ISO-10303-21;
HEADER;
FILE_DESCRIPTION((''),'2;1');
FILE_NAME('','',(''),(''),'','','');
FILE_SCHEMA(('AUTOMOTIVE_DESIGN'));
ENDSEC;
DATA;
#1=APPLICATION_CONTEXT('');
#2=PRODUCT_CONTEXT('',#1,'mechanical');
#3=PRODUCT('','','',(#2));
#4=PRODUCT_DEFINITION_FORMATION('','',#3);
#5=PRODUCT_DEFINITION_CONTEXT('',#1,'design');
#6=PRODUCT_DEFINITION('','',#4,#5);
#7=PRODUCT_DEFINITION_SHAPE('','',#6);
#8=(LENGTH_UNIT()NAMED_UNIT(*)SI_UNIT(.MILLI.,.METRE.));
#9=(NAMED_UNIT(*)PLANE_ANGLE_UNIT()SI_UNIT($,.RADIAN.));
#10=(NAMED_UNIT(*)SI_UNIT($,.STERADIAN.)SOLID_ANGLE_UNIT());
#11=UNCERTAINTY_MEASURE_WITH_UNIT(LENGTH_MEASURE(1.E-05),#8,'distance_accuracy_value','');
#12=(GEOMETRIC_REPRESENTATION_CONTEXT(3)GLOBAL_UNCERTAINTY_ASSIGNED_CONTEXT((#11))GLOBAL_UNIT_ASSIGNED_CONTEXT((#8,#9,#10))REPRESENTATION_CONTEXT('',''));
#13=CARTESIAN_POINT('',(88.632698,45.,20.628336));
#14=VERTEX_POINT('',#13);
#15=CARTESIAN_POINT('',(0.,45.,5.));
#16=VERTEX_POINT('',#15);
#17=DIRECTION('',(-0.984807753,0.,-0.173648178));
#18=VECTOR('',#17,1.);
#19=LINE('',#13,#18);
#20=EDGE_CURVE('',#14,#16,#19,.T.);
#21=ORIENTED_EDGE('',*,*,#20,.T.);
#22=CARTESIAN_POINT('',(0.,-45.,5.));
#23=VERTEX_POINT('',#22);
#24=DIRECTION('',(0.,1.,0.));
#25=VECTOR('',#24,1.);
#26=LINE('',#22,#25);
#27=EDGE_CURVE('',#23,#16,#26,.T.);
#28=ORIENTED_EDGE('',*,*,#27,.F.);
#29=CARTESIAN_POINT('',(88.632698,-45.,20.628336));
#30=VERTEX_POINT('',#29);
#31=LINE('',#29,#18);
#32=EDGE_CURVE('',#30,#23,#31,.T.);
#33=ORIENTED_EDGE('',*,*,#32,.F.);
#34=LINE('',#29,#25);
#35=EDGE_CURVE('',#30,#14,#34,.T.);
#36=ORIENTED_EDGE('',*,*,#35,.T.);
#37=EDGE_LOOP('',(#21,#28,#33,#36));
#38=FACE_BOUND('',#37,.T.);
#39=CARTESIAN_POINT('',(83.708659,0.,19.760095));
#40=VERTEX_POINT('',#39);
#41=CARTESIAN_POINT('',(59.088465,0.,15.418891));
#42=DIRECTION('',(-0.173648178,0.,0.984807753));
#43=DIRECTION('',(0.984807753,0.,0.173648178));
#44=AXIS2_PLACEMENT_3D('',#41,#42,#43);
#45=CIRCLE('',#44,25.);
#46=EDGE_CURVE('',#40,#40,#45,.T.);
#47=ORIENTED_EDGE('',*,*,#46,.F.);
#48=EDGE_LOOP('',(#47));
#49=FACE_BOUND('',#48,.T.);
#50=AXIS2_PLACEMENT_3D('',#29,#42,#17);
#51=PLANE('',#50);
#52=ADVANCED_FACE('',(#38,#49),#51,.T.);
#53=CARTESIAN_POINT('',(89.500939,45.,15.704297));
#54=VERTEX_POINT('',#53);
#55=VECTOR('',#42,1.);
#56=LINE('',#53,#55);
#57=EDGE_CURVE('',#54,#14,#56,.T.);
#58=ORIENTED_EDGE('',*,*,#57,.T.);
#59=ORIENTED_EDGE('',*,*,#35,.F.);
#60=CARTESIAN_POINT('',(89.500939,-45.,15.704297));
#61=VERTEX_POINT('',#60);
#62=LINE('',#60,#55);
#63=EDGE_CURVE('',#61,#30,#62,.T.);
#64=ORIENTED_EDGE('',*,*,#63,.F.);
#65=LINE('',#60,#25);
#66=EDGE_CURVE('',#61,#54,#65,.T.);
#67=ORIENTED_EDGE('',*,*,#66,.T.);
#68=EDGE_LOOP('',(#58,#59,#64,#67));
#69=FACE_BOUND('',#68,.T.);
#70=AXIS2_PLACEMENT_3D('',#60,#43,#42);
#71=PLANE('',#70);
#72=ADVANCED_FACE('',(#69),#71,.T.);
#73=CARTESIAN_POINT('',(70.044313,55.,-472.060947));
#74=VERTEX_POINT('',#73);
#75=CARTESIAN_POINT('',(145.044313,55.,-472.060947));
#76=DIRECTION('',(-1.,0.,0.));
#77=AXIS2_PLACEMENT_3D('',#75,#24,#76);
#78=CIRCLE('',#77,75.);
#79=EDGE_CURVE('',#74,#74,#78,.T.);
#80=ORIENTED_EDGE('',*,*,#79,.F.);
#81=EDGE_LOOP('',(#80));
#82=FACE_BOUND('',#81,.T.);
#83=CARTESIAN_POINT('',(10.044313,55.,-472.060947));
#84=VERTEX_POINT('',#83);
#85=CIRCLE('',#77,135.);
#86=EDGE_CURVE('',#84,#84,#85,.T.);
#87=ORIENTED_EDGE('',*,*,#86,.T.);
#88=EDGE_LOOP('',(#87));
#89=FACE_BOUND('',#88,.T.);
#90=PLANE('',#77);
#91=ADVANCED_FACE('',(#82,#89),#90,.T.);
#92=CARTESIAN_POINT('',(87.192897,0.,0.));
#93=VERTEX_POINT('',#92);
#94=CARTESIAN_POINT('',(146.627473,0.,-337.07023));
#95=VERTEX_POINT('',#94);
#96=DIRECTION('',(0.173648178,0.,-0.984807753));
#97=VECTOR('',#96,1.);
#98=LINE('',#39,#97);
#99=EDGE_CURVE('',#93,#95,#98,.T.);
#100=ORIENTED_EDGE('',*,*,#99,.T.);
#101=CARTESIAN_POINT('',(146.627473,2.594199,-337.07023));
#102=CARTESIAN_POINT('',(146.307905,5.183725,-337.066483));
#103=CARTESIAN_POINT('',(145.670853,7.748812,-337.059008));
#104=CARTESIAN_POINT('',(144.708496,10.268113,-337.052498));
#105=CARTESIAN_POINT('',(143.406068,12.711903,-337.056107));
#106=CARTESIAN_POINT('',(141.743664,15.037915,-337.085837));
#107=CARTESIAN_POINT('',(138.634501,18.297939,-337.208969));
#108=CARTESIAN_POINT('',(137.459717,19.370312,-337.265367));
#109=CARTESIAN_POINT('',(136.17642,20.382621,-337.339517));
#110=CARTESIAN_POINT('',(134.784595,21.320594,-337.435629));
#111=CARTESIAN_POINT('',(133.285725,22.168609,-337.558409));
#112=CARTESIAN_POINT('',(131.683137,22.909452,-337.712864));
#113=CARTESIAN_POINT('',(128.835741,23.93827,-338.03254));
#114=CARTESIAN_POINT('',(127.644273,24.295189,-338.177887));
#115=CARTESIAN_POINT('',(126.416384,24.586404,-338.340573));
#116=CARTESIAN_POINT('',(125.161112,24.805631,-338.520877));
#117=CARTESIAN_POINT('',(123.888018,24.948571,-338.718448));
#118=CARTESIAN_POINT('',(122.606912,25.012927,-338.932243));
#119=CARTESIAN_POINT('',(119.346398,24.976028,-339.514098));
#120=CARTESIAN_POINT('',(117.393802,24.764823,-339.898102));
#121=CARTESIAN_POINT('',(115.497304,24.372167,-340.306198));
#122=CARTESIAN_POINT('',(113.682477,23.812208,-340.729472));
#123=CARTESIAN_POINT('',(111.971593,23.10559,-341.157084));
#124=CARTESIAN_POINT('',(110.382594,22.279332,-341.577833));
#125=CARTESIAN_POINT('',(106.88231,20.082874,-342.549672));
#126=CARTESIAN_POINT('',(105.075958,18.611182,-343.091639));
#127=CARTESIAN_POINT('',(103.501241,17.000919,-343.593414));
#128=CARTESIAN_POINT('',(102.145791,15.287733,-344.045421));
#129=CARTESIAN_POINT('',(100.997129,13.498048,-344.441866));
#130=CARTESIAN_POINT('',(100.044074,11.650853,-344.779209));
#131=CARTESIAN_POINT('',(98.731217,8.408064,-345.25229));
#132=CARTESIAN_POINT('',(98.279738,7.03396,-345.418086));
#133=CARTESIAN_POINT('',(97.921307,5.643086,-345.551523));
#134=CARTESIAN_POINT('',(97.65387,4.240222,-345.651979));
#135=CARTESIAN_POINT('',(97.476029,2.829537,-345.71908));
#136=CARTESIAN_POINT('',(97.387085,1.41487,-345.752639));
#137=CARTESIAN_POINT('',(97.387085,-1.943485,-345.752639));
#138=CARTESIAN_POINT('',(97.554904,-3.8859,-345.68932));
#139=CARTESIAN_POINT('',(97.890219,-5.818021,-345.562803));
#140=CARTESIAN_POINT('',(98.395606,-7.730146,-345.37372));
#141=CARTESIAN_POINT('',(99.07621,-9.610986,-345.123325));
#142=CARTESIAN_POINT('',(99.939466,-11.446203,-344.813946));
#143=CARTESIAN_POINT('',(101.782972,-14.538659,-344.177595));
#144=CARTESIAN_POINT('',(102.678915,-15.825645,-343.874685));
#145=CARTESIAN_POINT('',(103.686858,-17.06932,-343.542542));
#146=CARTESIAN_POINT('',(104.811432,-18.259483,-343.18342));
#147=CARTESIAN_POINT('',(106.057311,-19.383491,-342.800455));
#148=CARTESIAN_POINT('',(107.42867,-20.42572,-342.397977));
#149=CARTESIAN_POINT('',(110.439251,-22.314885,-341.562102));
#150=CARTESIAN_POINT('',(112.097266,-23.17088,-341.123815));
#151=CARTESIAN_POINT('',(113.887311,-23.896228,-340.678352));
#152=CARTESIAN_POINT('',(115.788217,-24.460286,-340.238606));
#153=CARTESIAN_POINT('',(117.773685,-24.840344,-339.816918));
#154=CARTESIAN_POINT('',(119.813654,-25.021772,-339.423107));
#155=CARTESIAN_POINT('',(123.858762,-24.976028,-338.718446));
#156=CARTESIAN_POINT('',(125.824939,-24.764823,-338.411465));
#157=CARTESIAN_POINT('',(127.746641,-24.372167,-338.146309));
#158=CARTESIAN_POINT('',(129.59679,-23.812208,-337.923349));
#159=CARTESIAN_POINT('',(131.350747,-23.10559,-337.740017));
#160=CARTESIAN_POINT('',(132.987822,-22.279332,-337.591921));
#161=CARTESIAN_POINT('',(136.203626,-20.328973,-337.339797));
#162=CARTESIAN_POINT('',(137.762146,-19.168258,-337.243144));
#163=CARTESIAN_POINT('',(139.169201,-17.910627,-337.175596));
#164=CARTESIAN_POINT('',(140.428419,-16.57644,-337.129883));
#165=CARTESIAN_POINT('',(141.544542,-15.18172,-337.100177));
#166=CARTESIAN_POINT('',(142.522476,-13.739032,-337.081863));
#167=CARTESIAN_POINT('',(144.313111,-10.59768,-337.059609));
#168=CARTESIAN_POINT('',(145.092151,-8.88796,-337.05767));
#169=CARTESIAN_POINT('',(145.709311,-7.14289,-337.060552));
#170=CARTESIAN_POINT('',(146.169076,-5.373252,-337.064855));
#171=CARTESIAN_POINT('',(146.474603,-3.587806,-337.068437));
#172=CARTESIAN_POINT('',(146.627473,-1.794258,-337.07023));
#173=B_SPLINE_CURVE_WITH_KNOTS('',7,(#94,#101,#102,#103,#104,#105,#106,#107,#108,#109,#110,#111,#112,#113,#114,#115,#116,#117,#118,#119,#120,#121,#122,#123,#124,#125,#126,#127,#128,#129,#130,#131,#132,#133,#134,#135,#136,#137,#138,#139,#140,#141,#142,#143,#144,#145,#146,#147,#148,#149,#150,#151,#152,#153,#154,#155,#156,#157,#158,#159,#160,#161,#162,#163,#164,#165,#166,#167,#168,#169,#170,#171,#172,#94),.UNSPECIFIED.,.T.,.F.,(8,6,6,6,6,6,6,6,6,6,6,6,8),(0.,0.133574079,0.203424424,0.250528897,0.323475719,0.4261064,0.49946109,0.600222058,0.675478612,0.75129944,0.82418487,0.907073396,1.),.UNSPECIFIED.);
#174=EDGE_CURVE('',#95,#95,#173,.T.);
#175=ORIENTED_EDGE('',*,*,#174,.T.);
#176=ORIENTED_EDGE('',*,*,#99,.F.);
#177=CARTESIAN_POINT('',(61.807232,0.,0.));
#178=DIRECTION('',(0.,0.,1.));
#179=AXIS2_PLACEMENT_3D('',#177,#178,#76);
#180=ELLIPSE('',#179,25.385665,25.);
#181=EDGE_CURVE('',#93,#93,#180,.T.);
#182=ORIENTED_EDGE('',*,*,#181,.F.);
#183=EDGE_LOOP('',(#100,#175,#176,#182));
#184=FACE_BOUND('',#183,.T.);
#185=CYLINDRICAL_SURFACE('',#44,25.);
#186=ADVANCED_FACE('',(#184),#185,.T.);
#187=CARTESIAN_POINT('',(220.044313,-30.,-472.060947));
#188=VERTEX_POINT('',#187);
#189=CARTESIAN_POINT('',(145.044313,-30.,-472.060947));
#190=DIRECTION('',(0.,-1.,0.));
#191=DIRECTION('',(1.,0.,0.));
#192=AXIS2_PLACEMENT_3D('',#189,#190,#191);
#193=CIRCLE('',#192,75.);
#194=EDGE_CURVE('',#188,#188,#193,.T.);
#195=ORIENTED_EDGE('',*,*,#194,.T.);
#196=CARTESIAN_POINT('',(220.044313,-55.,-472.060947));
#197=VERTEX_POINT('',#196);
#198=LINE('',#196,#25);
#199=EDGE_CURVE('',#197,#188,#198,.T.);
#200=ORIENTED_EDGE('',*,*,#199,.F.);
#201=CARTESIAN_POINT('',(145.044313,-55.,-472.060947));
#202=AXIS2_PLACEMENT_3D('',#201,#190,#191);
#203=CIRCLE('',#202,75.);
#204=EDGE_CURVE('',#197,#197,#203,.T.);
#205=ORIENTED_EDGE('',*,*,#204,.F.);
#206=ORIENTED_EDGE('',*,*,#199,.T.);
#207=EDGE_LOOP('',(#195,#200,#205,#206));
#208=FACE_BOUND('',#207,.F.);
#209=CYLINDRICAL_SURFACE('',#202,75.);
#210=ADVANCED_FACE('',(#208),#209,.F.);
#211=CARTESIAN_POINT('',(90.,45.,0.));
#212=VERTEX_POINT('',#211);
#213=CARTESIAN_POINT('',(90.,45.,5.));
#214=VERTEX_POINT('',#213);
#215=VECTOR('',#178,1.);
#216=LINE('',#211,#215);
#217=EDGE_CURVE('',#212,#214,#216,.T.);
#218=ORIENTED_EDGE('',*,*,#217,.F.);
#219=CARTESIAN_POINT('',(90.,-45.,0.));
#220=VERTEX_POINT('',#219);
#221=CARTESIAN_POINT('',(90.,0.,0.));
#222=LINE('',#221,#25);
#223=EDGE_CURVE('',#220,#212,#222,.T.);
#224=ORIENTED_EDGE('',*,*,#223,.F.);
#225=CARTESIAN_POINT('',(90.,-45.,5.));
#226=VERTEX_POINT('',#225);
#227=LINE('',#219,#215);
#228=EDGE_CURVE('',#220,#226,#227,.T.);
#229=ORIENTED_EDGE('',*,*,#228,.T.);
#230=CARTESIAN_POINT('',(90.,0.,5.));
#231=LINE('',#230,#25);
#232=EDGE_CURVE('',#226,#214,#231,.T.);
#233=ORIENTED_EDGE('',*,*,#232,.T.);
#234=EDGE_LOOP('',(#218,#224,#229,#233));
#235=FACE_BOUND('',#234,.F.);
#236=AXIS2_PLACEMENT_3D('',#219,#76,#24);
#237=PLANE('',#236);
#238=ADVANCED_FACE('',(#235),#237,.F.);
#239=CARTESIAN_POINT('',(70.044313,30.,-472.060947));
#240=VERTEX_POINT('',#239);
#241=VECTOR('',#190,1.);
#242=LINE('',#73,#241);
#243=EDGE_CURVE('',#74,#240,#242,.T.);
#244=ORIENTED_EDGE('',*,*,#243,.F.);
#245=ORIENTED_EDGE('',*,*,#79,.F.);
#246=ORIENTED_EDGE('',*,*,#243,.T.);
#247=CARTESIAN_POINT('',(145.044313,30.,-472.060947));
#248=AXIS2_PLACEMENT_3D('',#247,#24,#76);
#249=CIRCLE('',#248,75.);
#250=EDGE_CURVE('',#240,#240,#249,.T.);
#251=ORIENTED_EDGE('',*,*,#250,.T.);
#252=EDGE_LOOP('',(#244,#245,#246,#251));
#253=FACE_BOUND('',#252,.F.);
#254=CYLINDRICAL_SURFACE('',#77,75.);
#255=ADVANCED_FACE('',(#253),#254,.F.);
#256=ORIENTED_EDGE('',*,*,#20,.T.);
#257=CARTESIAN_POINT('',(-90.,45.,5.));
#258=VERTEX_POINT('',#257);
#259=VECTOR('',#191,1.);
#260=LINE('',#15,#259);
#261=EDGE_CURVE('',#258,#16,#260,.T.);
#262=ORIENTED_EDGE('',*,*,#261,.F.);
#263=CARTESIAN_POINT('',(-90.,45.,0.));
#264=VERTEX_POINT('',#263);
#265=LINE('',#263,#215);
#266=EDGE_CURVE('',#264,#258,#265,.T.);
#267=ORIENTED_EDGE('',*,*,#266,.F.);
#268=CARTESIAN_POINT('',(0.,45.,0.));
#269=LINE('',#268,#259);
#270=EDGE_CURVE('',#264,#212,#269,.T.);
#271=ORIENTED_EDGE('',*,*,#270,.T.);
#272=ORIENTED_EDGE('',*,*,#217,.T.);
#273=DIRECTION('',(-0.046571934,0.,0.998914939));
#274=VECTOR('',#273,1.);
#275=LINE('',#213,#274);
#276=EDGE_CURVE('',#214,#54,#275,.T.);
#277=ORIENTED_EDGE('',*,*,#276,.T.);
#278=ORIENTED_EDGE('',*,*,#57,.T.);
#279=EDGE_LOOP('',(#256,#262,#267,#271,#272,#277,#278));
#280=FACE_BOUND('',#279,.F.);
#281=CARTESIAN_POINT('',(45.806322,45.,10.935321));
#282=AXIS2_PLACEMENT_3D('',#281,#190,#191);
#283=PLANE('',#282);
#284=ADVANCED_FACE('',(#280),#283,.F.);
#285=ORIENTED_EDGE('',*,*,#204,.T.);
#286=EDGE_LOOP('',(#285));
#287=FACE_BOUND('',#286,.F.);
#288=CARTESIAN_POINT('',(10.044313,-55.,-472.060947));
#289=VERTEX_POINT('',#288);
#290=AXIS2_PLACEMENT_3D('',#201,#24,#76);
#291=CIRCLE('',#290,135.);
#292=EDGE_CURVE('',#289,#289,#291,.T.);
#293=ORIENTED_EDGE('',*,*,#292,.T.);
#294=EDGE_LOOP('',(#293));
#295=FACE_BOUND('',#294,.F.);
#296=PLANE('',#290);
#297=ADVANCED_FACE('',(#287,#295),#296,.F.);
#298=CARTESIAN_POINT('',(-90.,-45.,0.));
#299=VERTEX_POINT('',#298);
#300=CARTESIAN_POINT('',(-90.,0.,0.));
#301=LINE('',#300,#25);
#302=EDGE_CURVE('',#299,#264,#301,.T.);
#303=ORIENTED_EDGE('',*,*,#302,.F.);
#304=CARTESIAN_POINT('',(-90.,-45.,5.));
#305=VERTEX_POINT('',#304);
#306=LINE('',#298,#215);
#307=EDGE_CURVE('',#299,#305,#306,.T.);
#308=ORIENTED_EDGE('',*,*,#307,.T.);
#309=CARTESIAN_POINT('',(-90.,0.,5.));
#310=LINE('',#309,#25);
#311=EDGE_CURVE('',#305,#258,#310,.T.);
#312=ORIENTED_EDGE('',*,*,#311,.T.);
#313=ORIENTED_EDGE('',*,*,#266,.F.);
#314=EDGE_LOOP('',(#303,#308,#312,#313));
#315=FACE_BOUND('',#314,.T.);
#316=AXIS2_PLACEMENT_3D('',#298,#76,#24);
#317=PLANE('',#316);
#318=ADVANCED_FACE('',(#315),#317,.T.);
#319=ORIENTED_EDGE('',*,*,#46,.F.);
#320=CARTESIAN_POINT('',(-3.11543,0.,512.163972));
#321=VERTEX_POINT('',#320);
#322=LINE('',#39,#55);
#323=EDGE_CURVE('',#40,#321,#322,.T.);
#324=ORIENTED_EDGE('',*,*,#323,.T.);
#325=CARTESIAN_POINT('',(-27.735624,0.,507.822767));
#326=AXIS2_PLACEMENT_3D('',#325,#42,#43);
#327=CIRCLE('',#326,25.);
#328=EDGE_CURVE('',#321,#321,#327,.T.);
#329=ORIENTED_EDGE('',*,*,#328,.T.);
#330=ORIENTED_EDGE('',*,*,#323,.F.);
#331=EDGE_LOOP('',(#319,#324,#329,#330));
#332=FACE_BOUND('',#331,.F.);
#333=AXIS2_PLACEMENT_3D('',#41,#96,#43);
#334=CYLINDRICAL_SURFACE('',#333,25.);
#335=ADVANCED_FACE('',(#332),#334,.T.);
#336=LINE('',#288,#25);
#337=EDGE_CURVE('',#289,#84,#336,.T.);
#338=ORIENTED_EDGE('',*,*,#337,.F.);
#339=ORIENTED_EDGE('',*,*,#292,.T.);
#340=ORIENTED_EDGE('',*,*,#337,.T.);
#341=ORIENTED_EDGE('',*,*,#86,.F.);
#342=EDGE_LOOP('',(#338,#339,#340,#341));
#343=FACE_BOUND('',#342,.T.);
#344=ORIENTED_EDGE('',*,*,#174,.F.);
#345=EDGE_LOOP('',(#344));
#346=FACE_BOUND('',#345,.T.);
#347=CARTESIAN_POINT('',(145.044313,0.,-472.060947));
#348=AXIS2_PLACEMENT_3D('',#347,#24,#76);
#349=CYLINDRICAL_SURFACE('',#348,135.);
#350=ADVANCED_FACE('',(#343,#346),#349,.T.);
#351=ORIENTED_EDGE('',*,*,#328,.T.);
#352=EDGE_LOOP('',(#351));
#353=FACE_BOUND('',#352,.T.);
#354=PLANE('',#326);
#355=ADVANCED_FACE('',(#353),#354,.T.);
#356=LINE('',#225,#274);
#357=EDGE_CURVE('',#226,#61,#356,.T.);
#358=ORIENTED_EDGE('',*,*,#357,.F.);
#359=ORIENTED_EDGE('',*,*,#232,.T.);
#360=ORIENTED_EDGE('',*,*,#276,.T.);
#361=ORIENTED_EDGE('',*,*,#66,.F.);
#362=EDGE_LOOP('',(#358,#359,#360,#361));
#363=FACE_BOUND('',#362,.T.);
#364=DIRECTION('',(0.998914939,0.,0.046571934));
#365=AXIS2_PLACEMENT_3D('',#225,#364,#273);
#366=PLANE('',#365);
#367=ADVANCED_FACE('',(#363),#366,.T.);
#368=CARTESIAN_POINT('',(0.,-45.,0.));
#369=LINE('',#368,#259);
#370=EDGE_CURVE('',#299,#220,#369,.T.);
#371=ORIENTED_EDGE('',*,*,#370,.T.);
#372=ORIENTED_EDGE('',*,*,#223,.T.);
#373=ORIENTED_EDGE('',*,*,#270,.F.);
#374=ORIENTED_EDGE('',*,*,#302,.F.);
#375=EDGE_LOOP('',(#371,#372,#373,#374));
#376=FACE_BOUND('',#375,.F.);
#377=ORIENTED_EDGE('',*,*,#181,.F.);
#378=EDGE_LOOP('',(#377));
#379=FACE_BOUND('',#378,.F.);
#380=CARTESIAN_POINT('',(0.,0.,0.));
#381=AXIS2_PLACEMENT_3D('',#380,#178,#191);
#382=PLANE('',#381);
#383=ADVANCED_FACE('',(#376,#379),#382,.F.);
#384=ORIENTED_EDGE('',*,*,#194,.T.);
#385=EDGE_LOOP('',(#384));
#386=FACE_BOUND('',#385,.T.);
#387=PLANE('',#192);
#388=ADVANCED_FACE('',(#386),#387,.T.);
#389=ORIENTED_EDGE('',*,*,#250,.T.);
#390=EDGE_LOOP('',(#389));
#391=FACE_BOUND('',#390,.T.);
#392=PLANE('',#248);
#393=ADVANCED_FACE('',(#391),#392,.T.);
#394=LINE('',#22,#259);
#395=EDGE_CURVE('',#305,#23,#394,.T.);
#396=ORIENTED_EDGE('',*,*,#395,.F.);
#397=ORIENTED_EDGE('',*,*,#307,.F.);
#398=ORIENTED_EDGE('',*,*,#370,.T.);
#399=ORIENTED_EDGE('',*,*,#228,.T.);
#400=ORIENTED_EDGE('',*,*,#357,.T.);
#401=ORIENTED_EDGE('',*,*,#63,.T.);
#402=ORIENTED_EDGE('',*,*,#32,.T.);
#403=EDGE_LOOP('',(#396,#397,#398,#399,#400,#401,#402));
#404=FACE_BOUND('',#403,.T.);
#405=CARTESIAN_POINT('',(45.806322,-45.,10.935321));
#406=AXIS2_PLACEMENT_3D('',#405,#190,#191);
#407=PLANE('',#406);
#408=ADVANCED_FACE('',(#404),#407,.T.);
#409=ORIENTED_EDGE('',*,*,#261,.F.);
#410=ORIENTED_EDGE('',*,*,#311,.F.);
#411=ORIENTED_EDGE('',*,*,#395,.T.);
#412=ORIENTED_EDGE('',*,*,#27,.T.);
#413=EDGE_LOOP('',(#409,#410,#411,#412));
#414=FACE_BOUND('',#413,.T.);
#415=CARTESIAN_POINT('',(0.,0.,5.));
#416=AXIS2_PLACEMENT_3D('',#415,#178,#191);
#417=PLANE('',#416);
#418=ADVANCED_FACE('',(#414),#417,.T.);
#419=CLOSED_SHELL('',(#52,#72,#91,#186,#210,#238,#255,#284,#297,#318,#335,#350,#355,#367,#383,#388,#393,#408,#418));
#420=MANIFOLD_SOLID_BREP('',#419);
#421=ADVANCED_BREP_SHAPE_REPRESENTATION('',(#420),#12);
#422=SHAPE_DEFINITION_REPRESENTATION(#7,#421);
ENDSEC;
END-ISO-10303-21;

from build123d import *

# Parameters (mm, degrees)
F0_W      = 180
F0_H      = 90
F1_DEPTH  = 5
F3_DEPTH  = 90
F4_R      = 25
F5_DEPTH  = 495
F6_DEPTH  = 500
F9_R      = 135
F10_DEPTH = 55
F11_R     = 75
F12_DEPTH = 25
F13_R     = 75
F14_DEPTH = 25


with BuildPart() as f1:
    # F0 (on Top) → F1 (new body)
    with BuildSketch(Plane.XY):
        Rectangle(F0_W, F0_H)
    extrude(amount=F1_DEPTH)

    # F2 (on face) → F3 (join)
    with BuildSketch(Plane.XZ.offset(45)):
        Polygon((88.6326977711, 20.62833599), (0, 5), (28.4956841358, 5), (89.5009386594, 15.704297225), align=None)
        Polygon((89.5009386594, 15.704297225), (28.4956841358, 5), (90, 5), align=None)
    extrude(amount=-F3_DEPTH)

    # F4 (on face) → F5 (join)
    with BuildSketch(Plane(origin=(-0.8550503583, 0, 4.849231552), x_dir=(0.984807753, 0, 0.1736481777), z_dir=(-0.1736481777, 0, 0.984807753))):
        with Locations((60.8682408883, 0)):
            Circle(F4_R)
    extrude(amount=-F5_DEPTH)

    # F4 (on face) → F6 (join)
    with BuildSketch(Plane(origin=(-0.8550503583, 0, 4.849231552), x_dir=(0.984807753, 0, 0.1736481777), z_dir=(-0.1736481777, 0, 0.984807753))):
        with Locations((60.8682408883, 0)):
            Circle(F4_R)
    extrude(amount=F6_DEPTH)

    # F9 (on line) → F10 (join, symmetric)
    with BuildSketch(Plane(origin=(0, 0, 0), x_dir=(-1, 0, 0), z_dir=(0, 1, 0))):
        with Locations((-145.0443131259, -472.060947081)):
            Circle(F9_R)
    extrude(amount=F10_DEPTH, both=True)

    # F11 (on face) → F12 (cut)
    with BuildSketch(Plane.XZ.offset(55)):
        with Locations((145.0443131259, -472.060947081)):
            Circle(F11_R)
    extrude(amount=-F12_DEPTH, mode=Mode.SUBTRACT)

    # F13 (on face) → F14 (cut)
    with BuildSketch(Plane(origin=(0, 55, 0), x_dir=(-1, 0, 0), z_dir=(0, 1, 0))):
        with Locations((-145.0443131259, -472.060947081)):
            Circle(F13_R)
    extrude(amount=-F14_DEPTH, mode=Mode.SUBTRACT)


solid = f1.part
